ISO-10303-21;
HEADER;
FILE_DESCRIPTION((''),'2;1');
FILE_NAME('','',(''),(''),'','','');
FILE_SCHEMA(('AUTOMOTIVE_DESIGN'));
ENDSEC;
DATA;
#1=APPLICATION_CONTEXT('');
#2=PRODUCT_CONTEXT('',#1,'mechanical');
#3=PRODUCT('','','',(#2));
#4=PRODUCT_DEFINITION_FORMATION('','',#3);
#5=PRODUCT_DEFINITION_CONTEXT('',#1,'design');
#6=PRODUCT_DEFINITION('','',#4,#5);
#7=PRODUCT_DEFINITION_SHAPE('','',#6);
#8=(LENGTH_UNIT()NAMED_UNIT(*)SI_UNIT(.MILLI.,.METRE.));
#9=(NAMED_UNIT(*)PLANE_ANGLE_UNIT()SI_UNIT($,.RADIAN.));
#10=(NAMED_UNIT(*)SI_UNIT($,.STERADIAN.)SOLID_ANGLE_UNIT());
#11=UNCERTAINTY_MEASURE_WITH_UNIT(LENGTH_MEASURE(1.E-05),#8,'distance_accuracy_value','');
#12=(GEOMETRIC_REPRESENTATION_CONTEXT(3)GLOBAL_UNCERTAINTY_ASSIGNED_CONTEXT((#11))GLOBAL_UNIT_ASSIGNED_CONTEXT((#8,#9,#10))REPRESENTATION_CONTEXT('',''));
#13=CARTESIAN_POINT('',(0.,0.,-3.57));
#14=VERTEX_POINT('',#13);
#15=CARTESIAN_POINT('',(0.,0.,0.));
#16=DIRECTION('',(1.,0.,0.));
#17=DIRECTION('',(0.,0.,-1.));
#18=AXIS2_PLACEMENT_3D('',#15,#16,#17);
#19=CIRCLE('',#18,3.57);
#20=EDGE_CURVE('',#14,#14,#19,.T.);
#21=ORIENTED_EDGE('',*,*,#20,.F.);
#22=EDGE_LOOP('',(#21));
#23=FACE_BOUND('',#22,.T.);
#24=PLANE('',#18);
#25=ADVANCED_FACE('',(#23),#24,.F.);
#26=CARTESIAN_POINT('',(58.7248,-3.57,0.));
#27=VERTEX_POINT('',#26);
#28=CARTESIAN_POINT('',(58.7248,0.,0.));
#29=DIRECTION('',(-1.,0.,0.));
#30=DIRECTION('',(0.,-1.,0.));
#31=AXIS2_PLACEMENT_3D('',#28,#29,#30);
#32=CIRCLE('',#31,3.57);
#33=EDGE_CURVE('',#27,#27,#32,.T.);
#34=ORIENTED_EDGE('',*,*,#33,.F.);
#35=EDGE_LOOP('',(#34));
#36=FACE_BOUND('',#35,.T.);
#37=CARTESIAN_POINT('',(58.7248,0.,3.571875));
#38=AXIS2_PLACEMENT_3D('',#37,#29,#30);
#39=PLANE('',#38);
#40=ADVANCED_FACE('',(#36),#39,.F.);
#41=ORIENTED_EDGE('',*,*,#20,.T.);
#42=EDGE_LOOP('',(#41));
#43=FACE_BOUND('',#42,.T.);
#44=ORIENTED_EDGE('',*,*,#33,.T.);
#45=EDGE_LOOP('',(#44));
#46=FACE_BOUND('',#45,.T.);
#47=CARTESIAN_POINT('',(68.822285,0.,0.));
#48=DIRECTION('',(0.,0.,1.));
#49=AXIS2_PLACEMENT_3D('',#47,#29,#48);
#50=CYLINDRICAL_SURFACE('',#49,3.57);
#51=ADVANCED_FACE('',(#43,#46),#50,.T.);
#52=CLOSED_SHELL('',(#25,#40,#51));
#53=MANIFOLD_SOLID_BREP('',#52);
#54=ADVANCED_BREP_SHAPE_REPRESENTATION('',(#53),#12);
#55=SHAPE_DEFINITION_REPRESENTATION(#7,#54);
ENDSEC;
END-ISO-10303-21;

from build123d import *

# Parameters (mm, degrees)
SKETCH1_R           = 3.57
BOSS_EXTRUDE1_DEPTH = 58.7248


with BuildPart() as part:
    # Sketch1 → Boss-Extrude1 (new body)
    with BuildSketch(Plane(origin=(0, 0, 0), x_dir=(0, 0, -1), z_dir=(1, 0, 0))):
        with Locations(Location((0, 0, 0), (0, 0, 270))):
            Circle(SKETCH1_R)
    extrude(amount=BOSS_EXTRUDE1_DEPTH)


solid = part.part
